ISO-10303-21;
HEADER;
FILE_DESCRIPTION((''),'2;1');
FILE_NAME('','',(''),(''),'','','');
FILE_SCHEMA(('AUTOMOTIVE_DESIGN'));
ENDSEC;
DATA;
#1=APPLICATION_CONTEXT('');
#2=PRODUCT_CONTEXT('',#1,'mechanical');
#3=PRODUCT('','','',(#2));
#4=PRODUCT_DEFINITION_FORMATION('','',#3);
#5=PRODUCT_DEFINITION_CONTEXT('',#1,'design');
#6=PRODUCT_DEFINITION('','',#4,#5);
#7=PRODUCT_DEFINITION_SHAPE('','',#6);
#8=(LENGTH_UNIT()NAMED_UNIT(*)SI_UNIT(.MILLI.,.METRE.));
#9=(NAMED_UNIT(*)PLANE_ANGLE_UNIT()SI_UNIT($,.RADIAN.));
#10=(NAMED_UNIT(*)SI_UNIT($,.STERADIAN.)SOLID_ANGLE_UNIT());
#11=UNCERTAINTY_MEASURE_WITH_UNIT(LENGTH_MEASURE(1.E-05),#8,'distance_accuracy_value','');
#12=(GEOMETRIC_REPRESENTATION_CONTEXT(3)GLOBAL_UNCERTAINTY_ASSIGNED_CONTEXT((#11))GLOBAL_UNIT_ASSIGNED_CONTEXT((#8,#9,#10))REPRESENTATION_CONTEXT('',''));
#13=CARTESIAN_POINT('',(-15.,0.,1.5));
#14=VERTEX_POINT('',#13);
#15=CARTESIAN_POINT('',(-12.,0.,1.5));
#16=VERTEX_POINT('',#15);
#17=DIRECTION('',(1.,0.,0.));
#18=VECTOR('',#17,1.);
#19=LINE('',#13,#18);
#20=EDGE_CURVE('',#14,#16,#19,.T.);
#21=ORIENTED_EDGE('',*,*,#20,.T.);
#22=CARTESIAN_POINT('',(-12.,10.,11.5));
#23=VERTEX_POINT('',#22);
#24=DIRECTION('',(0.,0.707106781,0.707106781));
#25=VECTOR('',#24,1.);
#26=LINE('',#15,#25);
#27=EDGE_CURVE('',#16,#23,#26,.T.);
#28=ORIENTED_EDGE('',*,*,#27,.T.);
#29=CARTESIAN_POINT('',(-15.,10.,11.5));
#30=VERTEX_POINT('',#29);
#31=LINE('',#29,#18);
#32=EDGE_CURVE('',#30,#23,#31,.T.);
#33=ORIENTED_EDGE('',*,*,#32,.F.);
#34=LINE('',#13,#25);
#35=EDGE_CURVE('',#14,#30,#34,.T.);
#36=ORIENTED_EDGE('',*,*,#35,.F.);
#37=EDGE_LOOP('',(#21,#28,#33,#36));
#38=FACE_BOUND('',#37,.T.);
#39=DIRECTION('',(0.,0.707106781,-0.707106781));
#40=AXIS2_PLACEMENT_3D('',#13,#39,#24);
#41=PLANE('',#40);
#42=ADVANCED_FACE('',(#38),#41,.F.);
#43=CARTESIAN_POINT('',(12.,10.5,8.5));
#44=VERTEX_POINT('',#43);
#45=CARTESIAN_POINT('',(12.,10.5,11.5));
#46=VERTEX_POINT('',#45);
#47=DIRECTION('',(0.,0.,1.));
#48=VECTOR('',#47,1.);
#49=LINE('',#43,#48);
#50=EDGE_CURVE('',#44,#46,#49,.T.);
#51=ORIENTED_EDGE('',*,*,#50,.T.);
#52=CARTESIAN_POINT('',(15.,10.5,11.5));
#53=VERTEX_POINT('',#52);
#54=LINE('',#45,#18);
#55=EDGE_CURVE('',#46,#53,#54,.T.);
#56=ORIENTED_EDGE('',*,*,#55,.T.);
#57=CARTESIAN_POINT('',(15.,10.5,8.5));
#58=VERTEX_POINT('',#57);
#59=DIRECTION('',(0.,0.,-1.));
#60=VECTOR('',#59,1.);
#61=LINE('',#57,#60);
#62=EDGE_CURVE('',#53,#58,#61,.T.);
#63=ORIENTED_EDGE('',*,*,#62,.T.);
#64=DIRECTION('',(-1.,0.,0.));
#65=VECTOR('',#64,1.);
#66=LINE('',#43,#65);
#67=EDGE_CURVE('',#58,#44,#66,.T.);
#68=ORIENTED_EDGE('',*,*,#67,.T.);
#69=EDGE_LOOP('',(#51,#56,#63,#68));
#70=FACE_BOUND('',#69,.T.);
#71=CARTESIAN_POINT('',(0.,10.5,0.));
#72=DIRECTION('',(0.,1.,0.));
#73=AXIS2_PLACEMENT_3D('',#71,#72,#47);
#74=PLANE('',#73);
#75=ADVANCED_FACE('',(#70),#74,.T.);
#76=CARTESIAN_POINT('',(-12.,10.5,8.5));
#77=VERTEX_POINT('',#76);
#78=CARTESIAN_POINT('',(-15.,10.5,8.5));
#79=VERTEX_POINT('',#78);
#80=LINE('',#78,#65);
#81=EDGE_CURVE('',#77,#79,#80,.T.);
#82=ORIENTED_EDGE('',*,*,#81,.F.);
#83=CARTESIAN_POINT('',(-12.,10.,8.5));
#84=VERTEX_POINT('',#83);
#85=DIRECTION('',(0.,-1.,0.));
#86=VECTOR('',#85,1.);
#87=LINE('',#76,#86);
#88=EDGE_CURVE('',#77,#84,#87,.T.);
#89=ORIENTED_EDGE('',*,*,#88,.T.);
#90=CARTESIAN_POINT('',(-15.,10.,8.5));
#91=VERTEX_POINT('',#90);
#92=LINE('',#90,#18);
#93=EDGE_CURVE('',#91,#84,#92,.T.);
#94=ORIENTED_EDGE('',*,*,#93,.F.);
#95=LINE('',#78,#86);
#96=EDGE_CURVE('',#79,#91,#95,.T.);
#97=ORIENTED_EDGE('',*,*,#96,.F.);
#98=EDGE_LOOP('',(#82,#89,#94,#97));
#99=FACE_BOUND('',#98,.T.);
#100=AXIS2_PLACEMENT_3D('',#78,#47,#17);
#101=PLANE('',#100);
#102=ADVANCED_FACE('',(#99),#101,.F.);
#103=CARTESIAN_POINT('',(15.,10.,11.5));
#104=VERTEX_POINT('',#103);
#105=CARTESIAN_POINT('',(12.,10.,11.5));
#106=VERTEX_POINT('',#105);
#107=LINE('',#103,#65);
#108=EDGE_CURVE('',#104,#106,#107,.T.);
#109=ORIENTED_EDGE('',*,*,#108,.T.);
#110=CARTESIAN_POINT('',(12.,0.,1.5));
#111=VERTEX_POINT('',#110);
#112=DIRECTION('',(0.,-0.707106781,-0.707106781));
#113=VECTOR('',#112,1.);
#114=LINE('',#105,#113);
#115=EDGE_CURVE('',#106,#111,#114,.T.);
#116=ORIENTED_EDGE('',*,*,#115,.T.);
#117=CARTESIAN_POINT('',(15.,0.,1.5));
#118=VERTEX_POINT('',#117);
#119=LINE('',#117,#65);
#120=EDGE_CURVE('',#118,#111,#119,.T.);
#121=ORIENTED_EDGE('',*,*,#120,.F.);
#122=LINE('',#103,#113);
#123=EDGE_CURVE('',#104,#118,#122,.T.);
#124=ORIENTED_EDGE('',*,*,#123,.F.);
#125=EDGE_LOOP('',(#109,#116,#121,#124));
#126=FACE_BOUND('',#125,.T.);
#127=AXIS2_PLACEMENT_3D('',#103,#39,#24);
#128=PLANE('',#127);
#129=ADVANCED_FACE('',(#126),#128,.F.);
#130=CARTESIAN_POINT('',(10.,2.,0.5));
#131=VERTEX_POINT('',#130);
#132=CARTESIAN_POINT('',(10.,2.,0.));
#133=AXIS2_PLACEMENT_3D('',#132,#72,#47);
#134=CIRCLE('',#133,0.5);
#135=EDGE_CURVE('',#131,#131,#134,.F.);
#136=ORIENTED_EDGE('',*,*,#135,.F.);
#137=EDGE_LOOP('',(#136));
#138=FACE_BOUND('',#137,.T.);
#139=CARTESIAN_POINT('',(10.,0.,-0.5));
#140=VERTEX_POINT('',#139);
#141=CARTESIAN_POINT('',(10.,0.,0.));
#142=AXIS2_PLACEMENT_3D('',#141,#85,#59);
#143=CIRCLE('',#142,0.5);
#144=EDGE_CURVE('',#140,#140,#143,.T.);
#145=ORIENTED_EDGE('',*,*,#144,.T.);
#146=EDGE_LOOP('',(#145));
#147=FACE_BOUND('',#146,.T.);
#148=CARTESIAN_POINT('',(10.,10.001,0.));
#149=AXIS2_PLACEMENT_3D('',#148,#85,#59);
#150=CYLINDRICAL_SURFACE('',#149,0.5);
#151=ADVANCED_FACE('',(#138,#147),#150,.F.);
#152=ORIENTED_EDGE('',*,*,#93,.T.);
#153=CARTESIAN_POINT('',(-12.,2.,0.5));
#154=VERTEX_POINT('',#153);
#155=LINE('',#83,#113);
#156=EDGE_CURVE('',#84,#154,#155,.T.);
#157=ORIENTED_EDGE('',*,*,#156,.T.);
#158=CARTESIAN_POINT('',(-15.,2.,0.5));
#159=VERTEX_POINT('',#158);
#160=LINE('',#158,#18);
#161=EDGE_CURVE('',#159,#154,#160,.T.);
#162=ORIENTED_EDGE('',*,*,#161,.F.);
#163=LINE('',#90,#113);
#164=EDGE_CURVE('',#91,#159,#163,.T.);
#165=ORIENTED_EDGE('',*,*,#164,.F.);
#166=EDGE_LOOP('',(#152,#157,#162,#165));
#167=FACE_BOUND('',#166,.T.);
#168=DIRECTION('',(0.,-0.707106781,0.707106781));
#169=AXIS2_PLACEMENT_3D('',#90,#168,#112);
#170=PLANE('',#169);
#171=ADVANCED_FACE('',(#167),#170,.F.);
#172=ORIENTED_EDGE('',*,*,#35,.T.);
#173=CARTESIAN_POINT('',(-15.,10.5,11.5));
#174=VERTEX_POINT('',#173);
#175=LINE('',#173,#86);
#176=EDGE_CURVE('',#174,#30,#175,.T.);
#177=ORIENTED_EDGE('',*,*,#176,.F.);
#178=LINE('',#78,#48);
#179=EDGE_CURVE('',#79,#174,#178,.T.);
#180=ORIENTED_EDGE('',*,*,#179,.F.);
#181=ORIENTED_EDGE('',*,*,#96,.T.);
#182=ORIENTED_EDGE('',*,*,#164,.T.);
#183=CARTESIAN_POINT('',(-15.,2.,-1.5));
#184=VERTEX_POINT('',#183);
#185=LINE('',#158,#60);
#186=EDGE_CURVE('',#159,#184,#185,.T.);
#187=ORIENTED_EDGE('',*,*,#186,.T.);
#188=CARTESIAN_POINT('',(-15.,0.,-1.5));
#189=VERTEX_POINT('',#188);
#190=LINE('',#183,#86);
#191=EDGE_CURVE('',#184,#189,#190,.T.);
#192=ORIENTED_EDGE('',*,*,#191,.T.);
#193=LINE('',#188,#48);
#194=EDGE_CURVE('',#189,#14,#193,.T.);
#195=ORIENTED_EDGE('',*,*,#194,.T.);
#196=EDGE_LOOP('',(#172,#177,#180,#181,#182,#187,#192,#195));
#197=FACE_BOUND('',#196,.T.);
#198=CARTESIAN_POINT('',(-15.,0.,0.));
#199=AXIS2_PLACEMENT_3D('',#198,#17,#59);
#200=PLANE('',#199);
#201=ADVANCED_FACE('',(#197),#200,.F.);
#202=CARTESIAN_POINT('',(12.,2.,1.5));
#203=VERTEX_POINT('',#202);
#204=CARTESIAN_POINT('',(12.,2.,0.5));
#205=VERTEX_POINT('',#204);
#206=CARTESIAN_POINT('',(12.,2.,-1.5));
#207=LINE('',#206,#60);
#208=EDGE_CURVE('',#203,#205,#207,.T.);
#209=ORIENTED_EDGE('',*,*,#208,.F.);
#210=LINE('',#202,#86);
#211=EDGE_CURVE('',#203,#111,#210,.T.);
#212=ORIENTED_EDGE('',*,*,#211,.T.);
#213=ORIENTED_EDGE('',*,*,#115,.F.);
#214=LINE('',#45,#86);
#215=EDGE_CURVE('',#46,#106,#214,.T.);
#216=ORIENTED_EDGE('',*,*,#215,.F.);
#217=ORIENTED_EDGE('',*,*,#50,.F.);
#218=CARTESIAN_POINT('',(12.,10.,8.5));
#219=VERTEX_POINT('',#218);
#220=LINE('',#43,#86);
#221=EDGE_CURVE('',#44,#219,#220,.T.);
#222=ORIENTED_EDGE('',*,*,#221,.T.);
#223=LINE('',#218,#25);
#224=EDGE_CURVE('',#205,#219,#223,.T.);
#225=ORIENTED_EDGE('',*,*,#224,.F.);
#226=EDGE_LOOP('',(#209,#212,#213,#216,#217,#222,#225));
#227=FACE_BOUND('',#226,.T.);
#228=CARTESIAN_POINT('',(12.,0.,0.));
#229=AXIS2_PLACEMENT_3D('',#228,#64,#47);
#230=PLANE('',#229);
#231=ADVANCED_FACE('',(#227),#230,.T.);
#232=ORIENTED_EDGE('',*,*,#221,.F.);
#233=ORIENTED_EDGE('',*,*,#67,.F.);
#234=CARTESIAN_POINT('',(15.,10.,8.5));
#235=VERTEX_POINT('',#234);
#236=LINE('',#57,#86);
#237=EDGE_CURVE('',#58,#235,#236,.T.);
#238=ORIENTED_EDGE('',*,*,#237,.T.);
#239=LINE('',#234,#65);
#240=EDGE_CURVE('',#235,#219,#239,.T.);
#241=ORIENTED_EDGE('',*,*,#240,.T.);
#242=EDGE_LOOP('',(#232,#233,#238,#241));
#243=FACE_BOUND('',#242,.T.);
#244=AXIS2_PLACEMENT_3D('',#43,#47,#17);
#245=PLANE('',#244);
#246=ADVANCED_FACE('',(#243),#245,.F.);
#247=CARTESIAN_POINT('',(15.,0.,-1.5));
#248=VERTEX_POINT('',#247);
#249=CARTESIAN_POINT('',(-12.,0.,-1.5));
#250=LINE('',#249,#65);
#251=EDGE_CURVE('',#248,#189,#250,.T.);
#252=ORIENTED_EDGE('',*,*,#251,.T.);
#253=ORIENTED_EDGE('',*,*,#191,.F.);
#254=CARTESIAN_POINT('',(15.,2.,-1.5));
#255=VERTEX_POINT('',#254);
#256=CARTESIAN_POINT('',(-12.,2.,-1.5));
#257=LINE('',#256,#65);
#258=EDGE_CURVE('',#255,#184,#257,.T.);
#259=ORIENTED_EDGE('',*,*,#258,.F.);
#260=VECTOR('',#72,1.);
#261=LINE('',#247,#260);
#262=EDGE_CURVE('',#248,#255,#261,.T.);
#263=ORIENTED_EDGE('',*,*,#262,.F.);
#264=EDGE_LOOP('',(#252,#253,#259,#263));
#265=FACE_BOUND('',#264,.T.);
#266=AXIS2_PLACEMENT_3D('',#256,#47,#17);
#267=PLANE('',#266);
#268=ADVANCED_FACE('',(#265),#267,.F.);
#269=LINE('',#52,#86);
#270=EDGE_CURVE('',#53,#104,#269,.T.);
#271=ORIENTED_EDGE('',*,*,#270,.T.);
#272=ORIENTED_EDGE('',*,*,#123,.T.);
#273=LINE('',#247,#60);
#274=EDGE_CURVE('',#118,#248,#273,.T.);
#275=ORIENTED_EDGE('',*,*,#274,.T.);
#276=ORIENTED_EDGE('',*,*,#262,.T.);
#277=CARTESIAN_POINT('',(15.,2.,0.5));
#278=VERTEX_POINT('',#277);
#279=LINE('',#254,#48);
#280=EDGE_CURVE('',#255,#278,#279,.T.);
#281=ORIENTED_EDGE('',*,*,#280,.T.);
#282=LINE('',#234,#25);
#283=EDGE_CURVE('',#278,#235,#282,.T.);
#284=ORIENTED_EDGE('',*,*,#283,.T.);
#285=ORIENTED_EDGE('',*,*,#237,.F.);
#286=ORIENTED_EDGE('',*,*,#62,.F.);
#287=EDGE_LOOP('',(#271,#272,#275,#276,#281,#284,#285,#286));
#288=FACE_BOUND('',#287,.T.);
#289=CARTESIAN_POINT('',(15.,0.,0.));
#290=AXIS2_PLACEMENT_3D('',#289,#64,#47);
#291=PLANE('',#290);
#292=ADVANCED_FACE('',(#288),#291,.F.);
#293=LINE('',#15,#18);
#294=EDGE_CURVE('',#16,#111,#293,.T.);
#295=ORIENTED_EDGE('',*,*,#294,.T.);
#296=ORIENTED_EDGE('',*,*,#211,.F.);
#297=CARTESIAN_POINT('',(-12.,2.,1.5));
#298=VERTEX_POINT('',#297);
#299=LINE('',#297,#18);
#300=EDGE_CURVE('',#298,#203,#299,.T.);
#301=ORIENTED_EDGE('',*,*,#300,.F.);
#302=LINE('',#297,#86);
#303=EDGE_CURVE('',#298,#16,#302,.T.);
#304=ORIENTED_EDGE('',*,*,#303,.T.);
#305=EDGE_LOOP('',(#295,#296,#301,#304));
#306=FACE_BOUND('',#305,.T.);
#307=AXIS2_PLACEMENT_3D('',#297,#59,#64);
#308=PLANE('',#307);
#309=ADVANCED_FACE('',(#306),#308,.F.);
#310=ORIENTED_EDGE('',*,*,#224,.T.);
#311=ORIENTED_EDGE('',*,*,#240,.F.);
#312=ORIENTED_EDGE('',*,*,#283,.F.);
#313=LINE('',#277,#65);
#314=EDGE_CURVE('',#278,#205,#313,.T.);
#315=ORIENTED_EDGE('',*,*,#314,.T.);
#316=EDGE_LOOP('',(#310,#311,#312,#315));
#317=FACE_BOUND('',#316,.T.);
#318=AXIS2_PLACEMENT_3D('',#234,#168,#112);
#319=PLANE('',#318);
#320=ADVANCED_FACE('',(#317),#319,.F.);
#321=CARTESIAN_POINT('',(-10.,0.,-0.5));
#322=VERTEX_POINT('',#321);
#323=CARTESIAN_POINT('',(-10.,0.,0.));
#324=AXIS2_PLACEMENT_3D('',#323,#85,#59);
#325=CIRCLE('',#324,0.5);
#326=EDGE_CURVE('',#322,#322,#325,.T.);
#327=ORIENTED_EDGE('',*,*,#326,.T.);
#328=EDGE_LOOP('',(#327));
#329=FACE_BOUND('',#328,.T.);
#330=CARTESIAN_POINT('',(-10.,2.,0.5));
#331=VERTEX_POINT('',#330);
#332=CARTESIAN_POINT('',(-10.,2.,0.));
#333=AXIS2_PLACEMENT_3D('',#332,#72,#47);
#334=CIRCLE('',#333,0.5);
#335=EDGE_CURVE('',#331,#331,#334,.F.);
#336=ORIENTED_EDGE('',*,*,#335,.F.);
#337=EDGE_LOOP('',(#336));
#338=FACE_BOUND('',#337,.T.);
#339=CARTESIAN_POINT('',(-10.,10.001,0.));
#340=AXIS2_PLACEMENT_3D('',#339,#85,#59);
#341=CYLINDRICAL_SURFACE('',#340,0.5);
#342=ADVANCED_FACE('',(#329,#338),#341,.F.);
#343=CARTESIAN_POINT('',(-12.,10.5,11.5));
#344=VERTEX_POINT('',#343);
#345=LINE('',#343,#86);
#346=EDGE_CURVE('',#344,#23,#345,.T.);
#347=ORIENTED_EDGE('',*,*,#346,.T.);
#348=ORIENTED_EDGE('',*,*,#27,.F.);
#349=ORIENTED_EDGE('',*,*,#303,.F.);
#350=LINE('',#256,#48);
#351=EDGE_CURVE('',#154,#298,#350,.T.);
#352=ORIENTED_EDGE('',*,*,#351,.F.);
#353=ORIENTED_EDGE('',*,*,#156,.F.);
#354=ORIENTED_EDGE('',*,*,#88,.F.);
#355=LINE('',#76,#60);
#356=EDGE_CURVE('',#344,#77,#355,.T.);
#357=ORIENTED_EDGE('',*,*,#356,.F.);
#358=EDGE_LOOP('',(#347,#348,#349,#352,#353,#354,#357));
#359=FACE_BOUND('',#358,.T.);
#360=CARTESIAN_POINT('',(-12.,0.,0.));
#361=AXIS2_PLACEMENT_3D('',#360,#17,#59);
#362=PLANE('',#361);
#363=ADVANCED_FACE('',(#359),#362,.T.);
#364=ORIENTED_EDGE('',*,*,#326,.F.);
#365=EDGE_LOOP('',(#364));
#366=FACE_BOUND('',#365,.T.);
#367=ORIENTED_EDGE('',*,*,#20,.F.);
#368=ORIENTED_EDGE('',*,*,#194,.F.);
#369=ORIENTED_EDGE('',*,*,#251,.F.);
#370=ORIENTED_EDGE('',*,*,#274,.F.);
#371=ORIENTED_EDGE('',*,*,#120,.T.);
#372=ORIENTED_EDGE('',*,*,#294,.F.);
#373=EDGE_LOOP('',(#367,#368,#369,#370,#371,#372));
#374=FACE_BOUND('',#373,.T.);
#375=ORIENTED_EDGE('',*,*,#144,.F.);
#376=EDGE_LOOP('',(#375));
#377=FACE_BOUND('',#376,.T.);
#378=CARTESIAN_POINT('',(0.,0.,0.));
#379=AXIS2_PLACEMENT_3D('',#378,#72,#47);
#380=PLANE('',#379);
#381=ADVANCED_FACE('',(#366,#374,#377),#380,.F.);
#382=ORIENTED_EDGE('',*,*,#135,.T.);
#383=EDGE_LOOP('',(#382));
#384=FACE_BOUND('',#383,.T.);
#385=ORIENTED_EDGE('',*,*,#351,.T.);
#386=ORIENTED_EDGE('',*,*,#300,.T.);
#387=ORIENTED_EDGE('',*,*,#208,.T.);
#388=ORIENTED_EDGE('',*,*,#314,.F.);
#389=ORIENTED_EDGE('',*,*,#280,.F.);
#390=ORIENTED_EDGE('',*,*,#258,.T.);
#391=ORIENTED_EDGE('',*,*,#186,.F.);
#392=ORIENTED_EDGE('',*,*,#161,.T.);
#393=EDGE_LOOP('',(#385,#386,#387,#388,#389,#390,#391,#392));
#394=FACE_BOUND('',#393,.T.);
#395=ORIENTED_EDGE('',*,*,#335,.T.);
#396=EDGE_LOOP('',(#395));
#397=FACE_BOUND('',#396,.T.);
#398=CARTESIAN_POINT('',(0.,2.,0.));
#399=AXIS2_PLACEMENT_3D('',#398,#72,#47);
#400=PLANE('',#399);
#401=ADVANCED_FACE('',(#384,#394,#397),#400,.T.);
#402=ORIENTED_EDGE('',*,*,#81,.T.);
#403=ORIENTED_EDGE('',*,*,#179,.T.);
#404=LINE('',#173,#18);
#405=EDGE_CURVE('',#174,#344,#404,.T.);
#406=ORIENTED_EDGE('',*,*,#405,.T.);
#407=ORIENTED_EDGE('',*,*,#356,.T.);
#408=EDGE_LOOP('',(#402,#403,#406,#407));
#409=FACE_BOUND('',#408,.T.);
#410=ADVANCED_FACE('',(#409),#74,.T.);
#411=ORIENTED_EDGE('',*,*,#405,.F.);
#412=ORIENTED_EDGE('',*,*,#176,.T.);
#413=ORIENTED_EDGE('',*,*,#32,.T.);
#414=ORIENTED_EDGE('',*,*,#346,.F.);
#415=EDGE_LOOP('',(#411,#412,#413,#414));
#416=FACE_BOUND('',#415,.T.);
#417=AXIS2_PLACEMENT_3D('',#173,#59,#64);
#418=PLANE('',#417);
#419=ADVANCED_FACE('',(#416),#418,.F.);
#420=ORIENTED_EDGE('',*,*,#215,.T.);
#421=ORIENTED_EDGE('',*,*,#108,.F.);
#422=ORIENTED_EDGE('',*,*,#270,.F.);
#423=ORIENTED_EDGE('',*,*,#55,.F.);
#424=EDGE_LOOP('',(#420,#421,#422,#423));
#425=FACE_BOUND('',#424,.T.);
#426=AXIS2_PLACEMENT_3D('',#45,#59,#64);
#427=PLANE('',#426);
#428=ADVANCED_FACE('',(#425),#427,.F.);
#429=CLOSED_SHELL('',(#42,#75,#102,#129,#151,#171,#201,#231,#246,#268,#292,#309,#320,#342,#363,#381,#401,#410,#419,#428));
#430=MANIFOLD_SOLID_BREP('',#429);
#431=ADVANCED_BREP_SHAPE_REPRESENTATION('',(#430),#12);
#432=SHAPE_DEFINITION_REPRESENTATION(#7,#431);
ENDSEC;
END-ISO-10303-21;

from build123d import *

# Parameters (mm, degrees)
SKETCH1_W           = 24
SKETCH1_H           = 3
BOSS_EXTRUDE1_DEPTH = 2
BOSS_EXTRUDE2_DEPTH = 3
BOSS_EXTRUDE3_DEPTH = 3
CUT_EXTRUDE1_REACH  = 23.383
SKETCH6_R           = 0.5
SKETCH9_W           = 3
SKETCH9_H           = 3
BOSS_EXTRUDE4_DEPTH = 0.5


with BuildPart() as part:
    # Sketch1 → Boss-Extrude1 (new body)
    with BuildSketch(Plane(origin=(0, 0, 0), x_dir=(1, 0, 0), z_dir=(0, 1, 0))):
        Rectangle(SKETCH1_W, SKETCH1_H)
    extrude(amount=BOSS_EXTRUDE1_DEPTH)

    # Sketch4 → Boss-Extrude2 (add)
    with BuildSketch(Plane(origin=(12, 0, 0), x_dir=(0, 0, -1), z_dir=(1, 0, 0))):
        Polygon((-11.5, 10), (-1.5, 0), (1.5, 0), (1.5, 2), (-0.5, 2), (-8.5, 10), align=None)
    extrude(amount=BOSS_EXTRUDE2_DEPTH)

    # Sketch5 → Boss-Extrude3 (add)
    with BuildSketch(Plane.ZY.offset(12)):
        Polygon((1.5, 0), (11.5, 10), (8.5, 10), (0.5, 2), (-1.5, 2), (-1.5, 0), align=None)
    extrude(amount=BOSS_EXTRUDE3_DEPTH)

    # Sketch6 → Cut-Extrude1 (cut, up to next)
    with BuildSketch(Plane.XZ, mode=Mode.PRIVATE) as cut_extrude1_sk1:
        with Locations(Location((-10, 0, 0), (0, 0, 270))):
            Circle(SKETCH6_R)
    cut_extrude1_tool1 = extrude(cut_extrude1_sk1.sketch, amount=-CUT_EXTRUDE1_REACH, mode=Mode.PRIVATE) & part.part
    # Sketch6 → Cut-Extrude1 (cut, up to next)
    with BuildSketch(Plane.XZ, mode=Mode.PRIVATE) as cut_extrude1_sk2:
        with Locations(Location((10, 0, 0), (0, 0, 270))):
            Circle(SKETCH6_R)
    cut_extrude1_tool2 = extrude(cut_extrude1_sk2.sketch, amount=-CUT_EXTRUDE1_REACH, mode=Mode.PRIVATE) & part.part
    add(cut_extrude1_tool1.solids().sort_by_distance((-10, 0, 0))[0], mode=Mode.SUBTRACT)
    add(cut_extrude1_tool2.solids().sort_by_distance((10, 0, 0))[0], mode=Mode.SUBTRACT)

    # Sketch9 → Boss-Extrude4 (add)
    with BuildSketch(Plane(origin=(0, 10, 0), x_dir=(1, 0, 0), z_dir=(0, 1, 0))):
        with Locations((-13.5, -10)):
            Rectangle(SKETCH9_W, SKETCH9_H)
        with Locations((13.5, -10)):
            Rectangle(SKETCH9_W, SKETCH9_H)
    extrude(amount=BOSS_EXTRUDE4_DEPTH)


solid = part.part
